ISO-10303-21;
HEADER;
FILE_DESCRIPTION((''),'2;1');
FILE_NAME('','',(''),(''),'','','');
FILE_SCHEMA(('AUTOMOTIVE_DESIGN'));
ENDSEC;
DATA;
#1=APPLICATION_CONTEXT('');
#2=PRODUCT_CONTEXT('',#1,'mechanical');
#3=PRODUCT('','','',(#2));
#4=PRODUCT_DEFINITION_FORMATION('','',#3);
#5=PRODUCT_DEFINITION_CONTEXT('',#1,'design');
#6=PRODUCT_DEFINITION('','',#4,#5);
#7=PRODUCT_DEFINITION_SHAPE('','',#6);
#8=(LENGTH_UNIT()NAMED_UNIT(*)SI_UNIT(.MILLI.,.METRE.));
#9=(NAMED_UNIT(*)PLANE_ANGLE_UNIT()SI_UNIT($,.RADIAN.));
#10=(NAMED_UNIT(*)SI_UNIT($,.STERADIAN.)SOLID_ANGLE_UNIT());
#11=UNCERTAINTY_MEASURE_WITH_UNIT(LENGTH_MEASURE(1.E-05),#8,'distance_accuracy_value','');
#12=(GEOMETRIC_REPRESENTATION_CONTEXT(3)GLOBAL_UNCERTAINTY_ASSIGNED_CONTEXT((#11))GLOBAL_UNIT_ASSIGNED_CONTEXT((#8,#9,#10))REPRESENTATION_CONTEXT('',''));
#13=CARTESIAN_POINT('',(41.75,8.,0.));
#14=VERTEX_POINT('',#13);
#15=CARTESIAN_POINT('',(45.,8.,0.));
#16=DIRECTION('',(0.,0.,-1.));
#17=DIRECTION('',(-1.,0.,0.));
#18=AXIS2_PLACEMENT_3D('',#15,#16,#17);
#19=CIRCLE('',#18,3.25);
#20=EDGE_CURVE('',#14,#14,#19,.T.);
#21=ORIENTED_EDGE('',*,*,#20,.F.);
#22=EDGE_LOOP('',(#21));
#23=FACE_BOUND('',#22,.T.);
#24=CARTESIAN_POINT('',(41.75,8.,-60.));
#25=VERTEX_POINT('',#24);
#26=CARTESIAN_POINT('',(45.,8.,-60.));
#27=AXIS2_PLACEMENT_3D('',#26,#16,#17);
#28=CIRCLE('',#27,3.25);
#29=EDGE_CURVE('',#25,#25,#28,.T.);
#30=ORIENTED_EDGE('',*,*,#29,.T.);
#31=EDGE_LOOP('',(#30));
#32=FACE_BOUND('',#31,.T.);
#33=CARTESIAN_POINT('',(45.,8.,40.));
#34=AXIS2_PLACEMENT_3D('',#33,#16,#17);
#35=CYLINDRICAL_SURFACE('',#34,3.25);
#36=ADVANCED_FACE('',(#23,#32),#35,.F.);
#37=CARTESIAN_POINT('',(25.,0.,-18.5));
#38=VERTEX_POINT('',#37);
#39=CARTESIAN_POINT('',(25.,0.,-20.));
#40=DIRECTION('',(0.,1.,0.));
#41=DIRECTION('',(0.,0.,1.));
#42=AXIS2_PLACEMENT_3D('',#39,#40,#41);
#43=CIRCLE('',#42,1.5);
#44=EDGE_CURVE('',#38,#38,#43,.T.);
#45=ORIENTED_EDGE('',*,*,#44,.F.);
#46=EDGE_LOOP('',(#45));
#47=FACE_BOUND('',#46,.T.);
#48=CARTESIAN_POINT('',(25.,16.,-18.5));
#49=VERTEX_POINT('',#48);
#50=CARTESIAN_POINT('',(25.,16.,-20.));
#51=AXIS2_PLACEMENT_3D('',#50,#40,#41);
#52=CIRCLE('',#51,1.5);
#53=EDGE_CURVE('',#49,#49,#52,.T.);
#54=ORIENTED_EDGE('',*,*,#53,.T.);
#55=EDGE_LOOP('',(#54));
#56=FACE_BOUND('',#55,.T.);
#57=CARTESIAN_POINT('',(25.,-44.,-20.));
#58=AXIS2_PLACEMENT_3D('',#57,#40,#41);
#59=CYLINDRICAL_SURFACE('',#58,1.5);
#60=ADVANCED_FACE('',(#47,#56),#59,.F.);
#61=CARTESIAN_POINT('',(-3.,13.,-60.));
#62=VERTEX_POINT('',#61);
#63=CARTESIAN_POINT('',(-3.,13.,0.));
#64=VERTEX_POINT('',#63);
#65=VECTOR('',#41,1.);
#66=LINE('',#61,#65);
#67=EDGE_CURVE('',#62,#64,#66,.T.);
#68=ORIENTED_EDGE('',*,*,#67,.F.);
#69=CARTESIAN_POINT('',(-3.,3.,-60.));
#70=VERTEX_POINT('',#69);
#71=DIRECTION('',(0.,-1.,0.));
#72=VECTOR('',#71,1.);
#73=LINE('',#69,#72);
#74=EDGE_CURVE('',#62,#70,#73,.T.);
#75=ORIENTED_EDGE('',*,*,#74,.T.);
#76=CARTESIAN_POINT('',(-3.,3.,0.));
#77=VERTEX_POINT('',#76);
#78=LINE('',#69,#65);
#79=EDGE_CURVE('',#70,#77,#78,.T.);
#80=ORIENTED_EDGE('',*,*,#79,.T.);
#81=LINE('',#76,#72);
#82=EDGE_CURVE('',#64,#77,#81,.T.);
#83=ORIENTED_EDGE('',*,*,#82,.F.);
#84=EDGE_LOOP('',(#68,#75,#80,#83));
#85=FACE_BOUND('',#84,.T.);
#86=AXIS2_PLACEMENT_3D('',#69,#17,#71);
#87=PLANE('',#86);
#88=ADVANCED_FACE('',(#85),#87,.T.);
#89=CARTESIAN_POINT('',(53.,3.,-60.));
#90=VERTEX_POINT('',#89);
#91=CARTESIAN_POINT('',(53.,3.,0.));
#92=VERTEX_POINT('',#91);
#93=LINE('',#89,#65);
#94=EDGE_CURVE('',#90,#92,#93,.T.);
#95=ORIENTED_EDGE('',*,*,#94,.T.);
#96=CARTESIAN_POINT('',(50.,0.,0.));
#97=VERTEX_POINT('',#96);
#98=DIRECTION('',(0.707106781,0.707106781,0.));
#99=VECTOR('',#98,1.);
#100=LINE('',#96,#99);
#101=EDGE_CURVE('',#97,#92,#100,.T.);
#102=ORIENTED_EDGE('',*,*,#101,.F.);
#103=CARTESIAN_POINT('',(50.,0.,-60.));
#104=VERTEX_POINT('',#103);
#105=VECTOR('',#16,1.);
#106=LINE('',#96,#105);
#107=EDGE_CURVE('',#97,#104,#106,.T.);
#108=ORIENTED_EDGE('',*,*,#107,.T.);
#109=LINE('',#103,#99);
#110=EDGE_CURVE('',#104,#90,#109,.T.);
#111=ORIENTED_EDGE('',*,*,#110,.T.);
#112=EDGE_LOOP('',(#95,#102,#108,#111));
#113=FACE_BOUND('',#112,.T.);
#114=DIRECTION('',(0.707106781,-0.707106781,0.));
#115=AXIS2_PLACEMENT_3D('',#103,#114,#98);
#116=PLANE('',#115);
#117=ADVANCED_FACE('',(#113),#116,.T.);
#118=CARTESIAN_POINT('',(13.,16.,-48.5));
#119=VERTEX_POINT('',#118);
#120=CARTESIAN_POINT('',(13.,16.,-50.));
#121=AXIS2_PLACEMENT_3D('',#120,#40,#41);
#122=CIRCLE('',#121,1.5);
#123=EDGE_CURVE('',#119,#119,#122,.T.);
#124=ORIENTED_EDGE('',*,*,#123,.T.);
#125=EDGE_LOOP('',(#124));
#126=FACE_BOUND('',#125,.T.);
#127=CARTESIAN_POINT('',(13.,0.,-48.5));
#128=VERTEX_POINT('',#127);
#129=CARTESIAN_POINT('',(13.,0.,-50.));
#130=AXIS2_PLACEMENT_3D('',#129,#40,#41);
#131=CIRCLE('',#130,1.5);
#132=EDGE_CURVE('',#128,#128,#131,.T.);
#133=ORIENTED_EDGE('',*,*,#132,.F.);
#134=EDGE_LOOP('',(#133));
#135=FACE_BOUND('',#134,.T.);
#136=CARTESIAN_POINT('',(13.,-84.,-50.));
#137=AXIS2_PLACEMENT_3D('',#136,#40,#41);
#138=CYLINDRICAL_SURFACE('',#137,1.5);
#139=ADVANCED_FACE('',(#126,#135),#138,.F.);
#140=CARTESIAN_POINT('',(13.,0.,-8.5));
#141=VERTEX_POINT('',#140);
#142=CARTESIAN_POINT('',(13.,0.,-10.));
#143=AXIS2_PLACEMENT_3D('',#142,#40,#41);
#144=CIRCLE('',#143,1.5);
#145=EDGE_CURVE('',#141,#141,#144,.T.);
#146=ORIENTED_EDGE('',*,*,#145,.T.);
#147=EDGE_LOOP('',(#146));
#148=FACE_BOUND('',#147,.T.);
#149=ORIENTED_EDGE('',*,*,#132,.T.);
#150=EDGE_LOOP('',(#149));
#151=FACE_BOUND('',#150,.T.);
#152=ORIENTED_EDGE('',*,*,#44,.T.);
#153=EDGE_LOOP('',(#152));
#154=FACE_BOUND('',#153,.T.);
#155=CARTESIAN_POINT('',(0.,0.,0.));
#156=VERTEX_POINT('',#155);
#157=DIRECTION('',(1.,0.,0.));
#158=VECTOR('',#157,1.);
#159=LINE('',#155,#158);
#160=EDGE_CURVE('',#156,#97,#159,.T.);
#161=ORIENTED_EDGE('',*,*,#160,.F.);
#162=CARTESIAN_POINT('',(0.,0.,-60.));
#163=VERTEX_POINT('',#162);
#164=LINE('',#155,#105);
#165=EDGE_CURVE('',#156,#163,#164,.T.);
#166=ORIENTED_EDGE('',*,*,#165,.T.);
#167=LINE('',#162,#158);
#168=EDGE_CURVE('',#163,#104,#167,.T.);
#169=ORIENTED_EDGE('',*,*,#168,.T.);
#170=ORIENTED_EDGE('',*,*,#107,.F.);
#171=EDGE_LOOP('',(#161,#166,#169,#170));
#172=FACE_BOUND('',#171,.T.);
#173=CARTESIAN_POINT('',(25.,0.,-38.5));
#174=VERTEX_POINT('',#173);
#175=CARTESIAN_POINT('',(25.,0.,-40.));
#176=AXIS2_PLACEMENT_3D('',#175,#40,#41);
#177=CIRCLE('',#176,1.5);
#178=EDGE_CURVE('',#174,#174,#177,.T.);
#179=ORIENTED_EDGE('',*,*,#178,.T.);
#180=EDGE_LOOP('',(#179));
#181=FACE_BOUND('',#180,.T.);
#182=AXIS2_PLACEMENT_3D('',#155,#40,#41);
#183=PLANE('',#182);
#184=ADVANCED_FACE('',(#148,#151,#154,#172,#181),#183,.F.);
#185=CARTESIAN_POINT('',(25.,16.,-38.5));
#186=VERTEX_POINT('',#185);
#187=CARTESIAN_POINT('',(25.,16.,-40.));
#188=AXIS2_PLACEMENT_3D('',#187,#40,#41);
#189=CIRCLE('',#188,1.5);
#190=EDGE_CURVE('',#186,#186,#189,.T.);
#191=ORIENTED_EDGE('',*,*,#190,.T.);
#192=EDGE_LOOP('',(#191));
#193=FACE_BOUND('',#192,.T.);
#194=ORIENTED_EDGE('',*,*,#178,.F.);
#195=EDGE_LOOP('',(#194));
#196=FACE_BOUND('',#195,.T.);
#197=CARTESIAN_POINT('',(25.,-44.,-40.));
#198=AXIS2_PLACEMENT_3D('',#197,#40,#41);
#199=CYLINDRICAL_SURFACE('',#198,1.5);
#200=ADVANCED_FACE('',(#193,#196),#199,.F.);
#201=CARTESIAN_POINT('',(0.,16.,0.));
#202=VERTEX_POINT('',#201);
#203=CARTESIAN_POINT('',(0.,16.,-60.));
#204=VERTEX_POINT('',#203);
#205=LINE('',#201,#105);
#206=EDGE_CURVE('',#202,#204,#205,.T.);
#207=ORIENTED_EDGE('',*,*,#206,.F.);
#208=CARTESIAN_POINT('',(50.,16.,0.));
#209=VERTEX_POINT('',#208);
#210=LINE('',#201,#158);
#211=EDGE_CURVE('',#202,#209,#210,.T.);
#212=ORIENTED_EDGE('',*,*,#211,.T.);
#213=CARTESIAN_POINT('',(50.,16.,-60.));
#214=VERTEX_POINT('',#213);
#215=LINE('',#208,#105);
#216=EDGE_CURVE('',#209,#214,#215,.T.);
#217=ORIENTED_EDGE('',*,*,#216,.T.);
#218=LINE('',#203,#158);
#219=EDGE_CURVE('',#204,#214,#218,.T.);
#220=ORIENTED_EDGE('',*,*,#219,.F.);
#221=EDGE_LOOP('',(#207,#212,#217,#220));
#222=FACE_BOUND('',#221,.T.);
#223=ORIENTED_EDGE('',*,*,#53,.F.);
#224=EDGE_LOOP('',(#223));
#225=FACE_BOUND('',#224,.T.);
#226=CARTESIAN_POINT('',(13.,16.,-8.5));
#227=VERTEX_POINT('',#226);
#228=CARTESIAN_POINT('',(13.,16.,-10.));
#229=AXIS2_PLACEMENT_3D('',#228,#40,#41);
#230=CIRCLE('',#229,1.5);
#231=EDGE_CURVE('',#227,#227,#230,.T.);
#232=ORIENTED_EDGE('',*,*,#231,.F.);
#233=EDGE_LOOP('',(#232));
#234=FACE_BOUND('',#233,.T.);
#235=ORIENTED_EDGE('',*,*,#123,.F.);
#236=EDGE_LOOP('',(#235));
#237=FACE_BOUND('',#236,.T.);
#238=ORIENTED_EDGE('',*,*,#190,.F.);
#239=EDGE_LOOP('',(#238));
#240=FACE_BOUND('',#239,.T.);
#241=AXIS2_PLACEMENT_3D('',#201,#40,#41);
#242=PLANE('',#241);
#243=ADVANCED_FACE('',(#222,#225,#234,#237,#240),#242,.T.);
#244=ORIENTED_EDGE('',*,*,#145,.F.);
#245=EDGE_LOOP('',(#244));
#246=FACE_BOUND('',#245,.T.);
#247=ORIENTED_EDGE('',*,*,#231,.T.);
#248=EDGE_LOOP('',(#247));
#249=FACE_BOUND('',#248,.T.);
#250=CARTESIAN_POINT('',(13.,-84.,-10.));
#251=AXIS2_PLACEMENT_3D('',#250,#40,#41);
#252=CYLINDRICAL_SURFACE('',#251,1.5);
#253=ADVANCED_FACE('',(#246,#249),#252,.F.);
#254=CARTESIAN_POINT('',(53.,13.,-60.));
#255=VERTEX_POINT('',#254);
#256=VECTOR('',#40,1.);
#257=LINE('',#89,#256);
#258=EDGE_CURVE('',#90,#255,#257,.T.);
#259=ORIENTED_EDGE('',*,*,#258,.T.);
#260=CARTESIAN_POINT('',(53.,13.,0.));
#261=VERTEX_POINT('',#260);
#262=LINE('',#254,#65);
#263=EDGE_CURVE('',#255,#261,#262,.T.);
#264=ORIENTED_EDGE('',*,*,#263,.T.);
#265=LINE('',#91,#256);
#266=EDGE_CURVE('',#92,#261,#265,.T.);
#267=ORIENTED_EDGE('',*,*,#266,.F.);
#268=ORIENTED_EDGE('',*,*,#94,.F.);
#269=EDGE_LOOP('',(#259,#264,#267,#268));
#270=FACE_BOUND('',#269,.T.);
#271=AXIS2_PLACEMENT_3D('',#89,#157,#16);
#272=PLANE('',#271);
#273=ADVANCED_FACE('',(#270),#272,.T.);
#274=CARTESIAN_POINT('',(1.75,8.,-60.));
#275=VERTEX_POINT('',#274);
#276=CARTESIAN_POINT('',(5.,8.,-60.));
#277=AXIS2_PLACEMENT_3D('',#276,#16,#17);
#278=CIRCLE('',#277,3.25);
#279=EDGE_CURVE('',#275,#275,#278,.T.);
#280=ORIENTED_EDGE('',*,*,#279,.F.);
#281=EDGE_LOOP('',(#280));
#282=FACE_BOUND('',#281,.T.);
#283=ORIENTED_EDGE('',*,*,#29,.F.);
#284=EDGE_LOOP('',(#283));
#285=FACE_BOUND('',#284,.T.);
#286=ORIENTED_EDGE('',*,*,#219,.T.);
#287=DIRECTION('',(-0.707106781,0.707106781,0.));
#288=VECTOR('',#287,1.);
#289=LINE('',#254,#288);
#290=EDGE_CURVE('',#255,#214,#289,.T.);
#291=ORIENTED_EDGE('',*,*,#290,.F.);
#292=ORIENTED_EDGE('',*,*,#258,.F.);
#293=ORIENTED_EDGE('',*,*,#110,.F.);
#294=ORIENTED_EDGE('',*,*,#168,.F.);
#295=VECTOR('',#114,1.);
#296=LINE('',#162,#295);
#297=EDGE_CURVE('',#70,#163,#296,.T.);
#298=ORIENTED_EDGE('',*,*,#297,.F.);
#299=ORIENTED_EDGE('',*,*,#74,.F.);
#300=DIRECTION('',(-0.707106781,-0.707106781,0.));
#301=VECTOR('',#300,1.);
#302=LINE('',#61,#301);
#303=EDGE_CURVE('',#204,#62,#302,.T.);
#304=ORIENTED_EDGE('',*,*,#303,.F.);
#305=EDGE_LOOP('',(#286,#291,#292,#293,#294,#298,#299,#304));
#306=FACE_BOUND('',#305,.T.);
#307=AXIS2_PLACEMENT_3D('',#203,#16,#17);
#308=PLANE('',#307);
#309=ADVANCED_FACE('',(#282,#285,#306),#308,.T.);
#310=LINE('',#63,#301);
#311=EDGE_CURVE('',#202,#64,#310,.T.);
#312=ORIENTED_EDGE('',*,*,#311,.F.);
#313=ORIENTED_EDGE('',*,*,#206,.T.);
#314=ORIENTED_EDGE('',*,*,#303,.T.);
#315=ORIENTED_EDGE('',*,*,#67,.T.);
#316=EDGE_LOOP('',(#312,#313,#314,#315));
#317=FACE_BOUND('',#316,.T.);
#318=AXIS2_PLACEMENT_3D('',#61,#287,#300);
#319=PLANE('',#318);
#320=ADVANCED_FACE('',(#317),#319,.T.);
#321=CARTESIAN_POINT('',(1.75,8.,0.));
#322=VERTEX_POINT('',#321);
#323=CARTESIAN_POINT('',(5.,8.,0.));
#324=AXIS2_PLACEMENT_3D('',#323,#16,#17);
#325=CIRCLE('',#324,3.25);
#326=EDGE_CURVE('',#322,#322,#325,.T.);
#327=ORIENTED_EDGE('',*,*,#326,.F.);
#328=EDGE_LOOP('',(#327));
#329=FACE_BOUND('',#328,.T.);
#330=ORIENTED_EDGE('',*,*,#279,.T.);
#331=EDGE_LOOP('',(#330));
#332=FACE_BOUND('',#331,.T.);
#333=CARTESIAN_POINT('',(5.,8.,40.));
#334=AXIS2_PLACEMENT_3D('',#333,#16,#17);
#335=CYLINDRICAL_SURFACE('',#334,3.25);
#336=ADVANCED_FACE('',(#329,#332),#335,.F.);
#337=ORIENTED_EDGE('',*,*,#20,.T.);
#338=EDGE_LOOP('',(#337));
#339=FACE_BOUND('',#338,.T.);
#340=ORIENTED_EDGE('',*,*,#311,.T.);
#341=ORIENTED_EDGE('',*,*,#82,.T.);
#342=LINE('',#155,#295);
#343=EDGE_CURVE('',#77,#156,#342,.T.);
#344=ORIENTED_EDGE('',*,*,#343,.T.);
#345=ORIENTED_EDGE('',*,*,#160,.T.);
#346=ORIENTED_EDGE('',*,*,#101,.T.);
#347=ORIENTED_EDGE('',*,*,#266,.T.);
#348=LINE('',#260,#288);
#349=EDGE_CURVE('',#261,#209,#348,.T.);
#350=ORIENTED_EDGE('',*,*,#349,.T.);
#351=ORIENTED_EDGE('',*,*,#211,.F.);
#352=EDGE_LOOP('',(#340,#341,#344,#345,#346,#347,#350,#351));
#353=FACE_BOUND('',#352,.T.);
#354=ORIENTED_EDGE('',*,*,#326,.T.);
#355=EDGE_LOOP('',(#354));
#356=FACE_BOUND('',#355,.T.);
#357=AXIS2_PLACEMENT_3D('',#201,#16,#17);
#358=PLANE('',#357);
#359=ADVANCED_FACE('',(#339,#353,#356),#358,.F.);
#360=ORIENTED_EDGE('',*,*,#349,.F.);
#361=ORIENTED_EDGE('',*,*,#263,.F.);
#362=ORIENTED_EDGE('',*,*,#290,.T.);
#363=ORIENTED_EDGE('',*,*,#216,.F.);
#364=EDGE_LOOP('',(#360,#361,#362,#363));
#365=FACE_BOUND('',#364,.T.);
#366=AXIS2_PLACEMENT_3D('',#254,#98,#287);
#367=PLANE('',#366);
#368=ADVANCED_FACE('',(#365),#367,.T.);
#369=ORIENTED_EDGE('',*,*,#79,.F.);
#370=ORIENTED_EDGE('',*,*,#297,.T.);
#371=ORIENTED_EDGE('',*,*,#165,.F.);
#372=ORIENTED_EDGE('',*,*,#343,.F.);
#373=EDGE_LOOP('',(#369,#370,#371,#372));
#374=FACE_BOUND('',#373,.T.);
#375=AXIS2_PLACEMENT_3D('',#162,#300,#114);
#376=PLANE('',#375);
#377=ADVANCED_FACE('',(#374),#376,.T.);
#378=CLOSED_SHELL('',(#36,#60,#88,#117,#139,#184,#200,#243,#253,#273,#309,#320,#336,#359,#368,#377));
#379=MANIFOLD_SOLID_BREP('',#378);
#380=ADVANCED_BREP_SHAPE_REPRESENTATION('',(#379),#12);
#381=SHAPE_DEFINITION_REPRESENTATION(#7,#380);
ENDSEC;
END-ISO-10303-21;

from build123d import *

# Parameters (mm, degrees)
SKETCH_1_W          = 50
SKETCH_1_H          = 60
EXTRUDE_1_DEPTH     = 16
SKETCH_2_R          = 3.25
CUT_EXTRUDE_1_DEPTH = 100
SKETCH_3_R          = 1.5
CUT_EXTRUDE_2_DEPTH = 100
EXTRUDE_2_DEPTH     = 60
SKETCH_5_R          = 1.5
CUT_EXTRUDE_3_DEPTH = 60


with BuildPart() as part:
    # 草圖1 → 填料-伸長1 (new body)
    with BuildSketch(Plane(origin=(0, 0, 0), x_dir=(1, 0, 0), z_dir=(0, 1, 0))):
        with Locations((25, 30)):
            Rectangle(SKETCH_1_W, SKETCH_1_H)
    extrude(amount=EXTRUDE_1_DEPTH)

    # 草圖2 → 除料-伸長1 (cut)
    with BuildSketch(Plane(origin=(0, 0, -60), x_dir=(-1, 0, 0), z_dir=(0, 0, -1))):
        with Locations((-45, 8)):
            Circle(SKETCH_2_R)
        with Locations((-5, 8)):
            Circle(SKETCH_2_R)
    extrude(amount=-CUT_EXTRUDE_1_DEPTH, mode=Mode.SUBTRACT)

    # 草圖3 → 除料-伸長2 (cut)
    with BuildSketch(Plane(origin=(0, 16, 0), x_dir=(1, 0, 0), z_dir=(0, 1, 0))):
        with Locations(Location((13, 10, 0), (0, 0, 270))):
            Circle(SKETCH_3_R)
        with Locations(Location((13, 50, 0), (0, 0, 270))):
            Circle(SKETCH_3_R)
    extrude(amount=-CUT_EXTRUDE_2_DEPTH, mode=Mode.SUBTRACT)

    # 草圖4 → 填料-伸長2 (add)
    with BuildSketch(Plane.XY):
        Polygon((0, 0), (-3, 3), (-3, 13), (0, 16), align=None)
        Polygon((53, 13), (50, 16), (50, 0), (53, 3), align=None)
    extrude(amount=-EXTRUDE_2_DEPTH)

    # 草圖5 → 除料-伸長3 (cut)
    with BuildSketch(Plane(origin=(0, 16, 0), x_dir=(1, 0, 0), z_dir=(0, 1, 0))):
        with Locations(Location((25, 20, 0), (0, 0, 270))):
            Circle(SKETCH_5_R)
        with Locations(Location((25, 40, 0), (0, 0, 270))):
            Circle(SKETCH_5_R)
    extrude(amount=-CUT_EXTRUDE_3_DEPTH, mode=Mode.SUBTRACT)


solid = part.part
